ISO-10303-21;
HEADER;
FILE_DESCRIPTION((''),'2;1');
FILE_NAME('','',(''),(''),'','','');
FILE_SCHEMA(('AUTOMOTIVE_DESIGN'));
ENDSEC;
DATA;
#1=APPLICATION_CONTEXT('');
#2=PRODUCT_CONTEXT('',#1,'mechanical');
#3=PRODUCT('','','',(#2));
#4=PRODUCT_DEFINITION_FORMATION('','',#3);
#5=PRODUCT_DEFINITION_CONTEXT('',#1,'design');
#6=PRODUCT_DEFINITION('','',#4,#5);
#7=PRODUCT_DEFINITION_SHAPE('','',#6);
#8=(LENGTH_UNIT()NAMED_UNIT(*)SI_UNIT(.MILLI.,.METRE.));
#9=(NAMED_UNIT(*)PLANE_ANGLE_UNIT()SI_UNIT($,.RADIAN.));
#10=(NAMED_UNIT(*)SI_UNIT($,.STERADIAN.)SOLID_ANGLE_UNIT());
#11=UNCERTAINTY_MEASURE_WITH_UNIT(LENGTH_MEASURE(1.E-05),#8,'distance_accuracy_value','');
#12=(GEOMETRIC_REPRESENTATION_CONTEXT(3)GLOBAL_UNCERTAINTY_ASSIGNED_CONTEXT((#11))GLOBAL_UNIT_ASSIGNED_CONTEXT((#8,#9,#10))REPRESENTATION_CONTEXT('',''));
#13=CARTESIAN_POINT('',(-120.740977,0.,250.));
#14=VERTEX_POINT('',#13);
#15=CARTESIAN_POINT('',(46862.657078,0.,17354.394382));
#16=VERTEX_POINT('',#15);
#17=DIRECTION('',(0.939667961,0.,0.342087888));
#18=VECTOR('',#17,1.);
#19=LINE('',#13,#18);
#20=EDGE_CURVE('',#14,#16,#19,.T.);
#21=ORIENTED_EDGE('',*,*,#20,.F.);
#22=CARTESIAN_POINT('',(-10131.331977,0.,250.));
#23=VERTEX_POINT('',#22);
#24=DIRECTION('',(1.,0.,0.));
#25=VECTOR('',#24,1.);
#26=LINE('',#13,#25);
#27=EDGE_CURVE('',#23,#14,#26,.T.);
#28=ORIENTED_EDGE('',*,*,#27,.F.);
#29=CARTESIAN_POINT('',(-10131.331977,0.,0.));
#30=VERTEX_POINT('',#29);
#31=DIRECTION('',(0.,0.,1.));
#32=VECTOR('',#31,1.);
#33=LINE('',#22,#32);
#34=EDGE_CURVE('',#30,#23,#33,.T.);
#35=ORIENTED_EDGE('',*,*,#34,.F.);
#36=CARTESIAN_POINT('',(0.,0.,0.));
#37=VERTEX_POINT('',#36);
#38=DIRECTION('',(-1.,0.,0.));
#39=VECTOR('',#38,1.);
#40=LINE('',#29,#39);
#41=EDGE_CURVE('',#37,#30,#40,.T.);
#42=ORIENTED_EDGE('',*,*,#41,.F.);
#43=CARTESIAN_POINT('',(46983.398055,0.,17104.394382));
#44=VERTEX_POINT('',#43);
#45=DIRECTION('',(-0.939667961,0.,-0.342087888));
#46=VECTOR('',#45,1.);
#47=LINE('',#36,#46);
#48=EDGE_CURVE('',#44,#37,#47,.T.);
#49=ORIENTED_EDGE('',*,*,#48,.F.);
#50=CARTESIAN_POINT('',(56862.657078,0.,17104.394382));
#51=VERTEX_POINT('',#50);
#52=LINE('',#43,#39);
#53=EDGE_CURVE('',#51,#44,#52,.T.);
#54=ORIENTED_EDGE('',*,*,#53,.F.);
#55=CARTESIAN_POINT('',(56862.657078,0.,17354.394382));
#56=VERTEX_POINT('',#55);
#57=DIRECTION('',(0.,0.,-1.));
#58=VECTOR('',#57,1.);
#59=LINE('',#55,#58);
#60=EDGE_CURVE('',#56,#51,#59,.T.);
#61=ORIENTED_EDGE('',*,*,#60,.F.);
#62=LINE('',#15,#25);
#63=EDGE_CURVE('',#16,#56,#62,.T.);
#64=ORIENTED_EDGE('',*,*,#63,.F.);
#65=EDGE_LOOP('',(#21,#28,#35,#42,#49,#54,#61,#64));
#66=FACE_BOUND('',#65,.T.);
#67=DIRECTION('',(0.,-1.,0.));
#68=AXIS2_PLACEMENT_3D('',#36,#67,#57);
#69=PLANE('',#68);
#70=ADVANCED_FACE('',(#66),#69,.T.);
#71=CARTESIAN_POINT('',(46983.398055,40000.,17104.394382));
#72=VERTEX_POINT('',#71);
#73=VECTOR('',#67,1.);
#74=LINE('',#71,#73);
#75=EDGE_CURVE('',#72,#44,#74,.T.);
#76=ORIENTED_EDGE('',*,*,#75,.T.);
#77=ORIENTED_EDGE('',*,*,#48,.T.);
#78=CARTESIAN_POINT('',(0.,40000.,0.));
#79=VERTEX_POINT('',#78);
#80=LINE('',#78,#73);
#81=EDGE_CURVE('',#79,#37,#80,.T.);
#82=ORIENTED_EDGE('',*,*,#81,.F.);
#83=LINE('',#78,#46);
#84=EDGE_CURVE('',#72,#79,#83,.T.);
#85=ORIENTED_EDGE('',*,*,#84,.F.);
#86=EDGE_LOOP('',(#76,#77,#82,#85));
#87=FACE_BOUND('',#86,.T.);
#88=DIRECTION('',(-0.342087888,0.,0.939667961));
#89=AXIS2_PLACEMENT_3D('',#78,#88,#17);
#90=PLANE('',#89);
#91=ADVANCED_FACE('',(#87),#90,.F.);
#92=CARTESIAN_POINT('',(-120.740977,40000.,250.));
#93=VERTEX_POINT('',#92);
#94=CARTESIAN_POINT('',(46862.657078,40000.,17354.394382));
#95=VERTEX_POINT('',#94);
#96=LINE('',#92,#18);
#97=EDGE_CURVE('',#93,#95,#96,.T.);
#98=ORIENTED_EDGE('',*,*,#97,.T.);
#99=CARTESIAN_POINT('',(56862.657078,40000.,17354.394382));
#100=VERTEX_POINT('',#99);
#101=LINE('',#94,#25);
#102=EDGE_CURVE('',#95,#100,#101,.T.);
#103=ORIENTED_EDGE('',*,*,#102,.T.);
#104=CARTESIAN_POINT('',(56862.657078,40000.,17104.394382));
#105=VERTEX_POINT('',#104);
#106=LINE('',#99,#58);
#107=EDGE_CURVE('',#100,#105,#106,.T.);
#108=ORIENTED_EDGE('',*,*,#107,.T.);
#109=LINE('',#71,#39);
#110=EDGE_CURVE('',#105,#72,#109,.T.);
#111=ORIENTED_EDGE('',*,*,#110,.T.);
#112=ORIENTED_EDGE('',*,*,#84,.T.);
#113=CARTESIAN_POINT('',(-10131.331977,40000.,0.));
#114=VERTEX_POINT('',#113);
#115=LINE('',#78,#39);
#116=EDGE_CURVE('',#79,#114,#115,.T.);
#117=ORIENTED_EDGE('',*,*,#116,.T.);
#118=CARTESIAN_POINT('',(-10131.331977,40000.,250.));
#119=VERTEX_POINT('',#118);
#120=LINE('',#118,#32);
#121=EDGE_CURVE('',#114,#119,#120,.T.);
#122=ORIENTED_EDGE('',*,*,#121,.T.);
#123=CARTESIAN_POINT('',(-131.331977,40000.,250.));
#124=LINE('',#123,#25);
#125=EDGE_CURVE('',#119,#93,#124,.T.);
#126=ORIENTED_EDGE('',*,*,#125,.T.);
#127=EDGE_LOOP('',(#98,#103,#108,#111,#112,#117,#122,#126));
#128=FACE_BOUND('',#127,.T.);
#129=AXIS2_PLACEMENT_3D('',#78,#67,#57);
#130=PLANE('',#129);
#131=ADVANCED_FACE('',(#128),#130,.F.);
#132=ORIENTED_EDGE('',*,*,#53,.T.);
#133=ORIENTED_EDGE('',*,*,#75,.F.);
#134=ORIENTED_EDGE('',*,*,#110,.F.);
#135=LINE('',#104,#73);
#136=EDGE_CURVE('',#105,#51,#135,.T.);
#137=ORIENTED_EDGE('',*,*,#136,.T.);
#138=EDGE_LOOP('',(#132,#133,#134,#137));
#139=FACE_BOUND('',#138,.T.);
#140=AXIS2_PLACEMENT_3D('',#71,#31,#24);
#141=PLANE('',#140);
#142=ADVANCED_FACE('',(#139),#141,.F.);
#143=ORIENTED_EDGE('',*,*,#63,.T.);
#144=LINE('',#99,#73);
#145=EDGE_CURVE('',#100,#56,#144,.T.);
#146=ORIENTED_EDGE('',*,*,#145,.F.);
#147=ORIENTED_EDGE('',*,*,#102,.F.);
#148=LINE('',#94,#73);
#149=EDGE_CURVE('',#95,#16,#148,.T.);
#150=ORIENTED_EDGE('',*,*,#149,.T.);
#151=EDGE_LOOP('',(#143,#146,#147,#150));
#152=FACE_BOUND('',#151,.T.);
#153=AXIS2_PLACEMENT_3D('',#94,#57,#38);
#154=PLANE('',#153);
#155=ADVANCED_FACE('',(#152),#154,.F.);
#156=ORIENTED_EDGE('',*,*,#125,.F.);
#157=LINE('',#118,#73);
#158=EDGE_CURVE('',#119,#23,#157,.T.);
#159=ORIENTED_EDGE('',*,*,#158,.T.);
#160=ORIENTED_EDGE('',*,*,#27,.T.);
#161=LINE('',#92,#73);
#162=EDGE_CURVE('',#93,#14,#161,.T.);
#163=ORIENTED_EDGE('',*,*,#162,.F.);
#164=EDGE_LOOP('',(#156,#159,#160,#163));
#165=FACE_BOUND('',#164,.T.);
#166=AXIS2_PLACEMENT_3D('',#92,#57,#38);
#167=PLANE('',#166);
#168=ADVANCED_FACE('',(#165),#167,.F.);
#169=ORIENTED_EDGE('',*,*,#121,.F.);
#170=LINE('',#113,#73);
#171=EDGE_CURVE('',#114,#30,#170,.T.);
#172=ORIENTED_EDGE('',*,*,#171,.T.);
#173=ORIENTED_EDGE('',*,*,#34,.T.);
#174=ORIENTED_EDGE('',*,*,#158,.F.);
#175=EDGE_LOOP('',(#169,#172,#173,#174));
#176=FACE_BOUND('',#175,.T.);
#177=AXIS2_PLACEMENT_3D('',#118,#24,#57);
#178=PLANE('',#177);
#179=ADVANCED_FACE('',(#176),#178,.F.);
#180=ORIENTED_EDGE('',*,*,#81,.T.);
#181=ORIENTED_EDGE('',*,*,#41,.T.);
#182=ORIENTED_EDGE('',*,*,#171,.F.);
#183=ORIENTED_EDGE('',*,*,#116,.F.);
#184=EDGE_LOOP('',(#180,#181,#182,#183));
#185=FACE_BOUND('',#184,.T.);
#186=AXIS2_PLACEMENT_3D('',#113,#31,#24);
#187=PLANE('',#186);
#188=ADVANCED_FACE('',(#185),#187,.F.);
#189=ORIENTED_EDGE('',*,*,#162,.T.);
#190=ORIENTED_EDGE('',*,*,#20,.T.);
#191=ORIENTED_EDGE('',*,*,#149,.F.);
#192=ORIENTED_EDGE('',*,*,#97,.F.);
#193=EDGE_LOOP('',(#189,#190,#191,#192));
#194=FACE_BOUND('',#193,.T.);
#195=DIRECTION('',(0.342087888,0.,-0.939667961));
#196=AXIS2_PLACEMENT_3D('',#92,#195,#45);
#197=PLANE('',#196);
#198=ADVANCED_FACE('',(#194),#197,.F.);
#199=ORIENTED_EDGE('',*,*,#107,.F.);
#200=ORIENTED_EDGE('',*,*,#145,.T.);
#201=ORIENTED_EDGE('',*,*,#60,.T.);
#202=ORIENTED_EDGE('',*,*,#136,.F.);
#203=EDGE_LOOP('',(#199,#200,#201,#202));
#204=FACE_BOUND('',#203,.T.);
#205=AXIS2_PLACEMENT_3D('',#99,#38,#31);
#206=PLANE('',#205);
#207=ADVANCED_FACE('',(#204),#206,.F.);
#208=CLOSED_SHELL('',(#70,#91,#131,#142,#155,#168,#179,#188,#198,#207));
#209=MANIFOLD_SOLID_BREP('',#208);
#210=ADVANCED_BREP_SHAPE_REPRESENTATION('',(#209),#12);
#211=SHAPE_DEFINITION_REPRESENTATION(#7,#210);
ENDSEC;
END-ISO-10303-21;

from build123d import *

# Parameters (mm, degrees)
BOSS_EXTRUDE1_DEPTH = 40000


with BuildPart() as part:
    # Sketch1 → Boss-Extrude1 (new body)
    with BuildSketch(Plane(origin=(0, 0, 0), x_dir=(1, 0, 0), z_dir=(0, 1, 0))):
        Polygon((0, 0), (46983.398055274, -17104.394382136), (56862.657077775, -17104.394382136), (56862.657077775, -17354.394382136), (46862.657077775, -17354.394382136), (-120.7409775, -250), (-131.3319775, -250), (-10131.3319775, -250), (-10131.3319775, 0), (-131.3319775, 0), align=None)
    extrude(amount=BOSS_EXTRUDE1_DEPTH)


solid = part.part
